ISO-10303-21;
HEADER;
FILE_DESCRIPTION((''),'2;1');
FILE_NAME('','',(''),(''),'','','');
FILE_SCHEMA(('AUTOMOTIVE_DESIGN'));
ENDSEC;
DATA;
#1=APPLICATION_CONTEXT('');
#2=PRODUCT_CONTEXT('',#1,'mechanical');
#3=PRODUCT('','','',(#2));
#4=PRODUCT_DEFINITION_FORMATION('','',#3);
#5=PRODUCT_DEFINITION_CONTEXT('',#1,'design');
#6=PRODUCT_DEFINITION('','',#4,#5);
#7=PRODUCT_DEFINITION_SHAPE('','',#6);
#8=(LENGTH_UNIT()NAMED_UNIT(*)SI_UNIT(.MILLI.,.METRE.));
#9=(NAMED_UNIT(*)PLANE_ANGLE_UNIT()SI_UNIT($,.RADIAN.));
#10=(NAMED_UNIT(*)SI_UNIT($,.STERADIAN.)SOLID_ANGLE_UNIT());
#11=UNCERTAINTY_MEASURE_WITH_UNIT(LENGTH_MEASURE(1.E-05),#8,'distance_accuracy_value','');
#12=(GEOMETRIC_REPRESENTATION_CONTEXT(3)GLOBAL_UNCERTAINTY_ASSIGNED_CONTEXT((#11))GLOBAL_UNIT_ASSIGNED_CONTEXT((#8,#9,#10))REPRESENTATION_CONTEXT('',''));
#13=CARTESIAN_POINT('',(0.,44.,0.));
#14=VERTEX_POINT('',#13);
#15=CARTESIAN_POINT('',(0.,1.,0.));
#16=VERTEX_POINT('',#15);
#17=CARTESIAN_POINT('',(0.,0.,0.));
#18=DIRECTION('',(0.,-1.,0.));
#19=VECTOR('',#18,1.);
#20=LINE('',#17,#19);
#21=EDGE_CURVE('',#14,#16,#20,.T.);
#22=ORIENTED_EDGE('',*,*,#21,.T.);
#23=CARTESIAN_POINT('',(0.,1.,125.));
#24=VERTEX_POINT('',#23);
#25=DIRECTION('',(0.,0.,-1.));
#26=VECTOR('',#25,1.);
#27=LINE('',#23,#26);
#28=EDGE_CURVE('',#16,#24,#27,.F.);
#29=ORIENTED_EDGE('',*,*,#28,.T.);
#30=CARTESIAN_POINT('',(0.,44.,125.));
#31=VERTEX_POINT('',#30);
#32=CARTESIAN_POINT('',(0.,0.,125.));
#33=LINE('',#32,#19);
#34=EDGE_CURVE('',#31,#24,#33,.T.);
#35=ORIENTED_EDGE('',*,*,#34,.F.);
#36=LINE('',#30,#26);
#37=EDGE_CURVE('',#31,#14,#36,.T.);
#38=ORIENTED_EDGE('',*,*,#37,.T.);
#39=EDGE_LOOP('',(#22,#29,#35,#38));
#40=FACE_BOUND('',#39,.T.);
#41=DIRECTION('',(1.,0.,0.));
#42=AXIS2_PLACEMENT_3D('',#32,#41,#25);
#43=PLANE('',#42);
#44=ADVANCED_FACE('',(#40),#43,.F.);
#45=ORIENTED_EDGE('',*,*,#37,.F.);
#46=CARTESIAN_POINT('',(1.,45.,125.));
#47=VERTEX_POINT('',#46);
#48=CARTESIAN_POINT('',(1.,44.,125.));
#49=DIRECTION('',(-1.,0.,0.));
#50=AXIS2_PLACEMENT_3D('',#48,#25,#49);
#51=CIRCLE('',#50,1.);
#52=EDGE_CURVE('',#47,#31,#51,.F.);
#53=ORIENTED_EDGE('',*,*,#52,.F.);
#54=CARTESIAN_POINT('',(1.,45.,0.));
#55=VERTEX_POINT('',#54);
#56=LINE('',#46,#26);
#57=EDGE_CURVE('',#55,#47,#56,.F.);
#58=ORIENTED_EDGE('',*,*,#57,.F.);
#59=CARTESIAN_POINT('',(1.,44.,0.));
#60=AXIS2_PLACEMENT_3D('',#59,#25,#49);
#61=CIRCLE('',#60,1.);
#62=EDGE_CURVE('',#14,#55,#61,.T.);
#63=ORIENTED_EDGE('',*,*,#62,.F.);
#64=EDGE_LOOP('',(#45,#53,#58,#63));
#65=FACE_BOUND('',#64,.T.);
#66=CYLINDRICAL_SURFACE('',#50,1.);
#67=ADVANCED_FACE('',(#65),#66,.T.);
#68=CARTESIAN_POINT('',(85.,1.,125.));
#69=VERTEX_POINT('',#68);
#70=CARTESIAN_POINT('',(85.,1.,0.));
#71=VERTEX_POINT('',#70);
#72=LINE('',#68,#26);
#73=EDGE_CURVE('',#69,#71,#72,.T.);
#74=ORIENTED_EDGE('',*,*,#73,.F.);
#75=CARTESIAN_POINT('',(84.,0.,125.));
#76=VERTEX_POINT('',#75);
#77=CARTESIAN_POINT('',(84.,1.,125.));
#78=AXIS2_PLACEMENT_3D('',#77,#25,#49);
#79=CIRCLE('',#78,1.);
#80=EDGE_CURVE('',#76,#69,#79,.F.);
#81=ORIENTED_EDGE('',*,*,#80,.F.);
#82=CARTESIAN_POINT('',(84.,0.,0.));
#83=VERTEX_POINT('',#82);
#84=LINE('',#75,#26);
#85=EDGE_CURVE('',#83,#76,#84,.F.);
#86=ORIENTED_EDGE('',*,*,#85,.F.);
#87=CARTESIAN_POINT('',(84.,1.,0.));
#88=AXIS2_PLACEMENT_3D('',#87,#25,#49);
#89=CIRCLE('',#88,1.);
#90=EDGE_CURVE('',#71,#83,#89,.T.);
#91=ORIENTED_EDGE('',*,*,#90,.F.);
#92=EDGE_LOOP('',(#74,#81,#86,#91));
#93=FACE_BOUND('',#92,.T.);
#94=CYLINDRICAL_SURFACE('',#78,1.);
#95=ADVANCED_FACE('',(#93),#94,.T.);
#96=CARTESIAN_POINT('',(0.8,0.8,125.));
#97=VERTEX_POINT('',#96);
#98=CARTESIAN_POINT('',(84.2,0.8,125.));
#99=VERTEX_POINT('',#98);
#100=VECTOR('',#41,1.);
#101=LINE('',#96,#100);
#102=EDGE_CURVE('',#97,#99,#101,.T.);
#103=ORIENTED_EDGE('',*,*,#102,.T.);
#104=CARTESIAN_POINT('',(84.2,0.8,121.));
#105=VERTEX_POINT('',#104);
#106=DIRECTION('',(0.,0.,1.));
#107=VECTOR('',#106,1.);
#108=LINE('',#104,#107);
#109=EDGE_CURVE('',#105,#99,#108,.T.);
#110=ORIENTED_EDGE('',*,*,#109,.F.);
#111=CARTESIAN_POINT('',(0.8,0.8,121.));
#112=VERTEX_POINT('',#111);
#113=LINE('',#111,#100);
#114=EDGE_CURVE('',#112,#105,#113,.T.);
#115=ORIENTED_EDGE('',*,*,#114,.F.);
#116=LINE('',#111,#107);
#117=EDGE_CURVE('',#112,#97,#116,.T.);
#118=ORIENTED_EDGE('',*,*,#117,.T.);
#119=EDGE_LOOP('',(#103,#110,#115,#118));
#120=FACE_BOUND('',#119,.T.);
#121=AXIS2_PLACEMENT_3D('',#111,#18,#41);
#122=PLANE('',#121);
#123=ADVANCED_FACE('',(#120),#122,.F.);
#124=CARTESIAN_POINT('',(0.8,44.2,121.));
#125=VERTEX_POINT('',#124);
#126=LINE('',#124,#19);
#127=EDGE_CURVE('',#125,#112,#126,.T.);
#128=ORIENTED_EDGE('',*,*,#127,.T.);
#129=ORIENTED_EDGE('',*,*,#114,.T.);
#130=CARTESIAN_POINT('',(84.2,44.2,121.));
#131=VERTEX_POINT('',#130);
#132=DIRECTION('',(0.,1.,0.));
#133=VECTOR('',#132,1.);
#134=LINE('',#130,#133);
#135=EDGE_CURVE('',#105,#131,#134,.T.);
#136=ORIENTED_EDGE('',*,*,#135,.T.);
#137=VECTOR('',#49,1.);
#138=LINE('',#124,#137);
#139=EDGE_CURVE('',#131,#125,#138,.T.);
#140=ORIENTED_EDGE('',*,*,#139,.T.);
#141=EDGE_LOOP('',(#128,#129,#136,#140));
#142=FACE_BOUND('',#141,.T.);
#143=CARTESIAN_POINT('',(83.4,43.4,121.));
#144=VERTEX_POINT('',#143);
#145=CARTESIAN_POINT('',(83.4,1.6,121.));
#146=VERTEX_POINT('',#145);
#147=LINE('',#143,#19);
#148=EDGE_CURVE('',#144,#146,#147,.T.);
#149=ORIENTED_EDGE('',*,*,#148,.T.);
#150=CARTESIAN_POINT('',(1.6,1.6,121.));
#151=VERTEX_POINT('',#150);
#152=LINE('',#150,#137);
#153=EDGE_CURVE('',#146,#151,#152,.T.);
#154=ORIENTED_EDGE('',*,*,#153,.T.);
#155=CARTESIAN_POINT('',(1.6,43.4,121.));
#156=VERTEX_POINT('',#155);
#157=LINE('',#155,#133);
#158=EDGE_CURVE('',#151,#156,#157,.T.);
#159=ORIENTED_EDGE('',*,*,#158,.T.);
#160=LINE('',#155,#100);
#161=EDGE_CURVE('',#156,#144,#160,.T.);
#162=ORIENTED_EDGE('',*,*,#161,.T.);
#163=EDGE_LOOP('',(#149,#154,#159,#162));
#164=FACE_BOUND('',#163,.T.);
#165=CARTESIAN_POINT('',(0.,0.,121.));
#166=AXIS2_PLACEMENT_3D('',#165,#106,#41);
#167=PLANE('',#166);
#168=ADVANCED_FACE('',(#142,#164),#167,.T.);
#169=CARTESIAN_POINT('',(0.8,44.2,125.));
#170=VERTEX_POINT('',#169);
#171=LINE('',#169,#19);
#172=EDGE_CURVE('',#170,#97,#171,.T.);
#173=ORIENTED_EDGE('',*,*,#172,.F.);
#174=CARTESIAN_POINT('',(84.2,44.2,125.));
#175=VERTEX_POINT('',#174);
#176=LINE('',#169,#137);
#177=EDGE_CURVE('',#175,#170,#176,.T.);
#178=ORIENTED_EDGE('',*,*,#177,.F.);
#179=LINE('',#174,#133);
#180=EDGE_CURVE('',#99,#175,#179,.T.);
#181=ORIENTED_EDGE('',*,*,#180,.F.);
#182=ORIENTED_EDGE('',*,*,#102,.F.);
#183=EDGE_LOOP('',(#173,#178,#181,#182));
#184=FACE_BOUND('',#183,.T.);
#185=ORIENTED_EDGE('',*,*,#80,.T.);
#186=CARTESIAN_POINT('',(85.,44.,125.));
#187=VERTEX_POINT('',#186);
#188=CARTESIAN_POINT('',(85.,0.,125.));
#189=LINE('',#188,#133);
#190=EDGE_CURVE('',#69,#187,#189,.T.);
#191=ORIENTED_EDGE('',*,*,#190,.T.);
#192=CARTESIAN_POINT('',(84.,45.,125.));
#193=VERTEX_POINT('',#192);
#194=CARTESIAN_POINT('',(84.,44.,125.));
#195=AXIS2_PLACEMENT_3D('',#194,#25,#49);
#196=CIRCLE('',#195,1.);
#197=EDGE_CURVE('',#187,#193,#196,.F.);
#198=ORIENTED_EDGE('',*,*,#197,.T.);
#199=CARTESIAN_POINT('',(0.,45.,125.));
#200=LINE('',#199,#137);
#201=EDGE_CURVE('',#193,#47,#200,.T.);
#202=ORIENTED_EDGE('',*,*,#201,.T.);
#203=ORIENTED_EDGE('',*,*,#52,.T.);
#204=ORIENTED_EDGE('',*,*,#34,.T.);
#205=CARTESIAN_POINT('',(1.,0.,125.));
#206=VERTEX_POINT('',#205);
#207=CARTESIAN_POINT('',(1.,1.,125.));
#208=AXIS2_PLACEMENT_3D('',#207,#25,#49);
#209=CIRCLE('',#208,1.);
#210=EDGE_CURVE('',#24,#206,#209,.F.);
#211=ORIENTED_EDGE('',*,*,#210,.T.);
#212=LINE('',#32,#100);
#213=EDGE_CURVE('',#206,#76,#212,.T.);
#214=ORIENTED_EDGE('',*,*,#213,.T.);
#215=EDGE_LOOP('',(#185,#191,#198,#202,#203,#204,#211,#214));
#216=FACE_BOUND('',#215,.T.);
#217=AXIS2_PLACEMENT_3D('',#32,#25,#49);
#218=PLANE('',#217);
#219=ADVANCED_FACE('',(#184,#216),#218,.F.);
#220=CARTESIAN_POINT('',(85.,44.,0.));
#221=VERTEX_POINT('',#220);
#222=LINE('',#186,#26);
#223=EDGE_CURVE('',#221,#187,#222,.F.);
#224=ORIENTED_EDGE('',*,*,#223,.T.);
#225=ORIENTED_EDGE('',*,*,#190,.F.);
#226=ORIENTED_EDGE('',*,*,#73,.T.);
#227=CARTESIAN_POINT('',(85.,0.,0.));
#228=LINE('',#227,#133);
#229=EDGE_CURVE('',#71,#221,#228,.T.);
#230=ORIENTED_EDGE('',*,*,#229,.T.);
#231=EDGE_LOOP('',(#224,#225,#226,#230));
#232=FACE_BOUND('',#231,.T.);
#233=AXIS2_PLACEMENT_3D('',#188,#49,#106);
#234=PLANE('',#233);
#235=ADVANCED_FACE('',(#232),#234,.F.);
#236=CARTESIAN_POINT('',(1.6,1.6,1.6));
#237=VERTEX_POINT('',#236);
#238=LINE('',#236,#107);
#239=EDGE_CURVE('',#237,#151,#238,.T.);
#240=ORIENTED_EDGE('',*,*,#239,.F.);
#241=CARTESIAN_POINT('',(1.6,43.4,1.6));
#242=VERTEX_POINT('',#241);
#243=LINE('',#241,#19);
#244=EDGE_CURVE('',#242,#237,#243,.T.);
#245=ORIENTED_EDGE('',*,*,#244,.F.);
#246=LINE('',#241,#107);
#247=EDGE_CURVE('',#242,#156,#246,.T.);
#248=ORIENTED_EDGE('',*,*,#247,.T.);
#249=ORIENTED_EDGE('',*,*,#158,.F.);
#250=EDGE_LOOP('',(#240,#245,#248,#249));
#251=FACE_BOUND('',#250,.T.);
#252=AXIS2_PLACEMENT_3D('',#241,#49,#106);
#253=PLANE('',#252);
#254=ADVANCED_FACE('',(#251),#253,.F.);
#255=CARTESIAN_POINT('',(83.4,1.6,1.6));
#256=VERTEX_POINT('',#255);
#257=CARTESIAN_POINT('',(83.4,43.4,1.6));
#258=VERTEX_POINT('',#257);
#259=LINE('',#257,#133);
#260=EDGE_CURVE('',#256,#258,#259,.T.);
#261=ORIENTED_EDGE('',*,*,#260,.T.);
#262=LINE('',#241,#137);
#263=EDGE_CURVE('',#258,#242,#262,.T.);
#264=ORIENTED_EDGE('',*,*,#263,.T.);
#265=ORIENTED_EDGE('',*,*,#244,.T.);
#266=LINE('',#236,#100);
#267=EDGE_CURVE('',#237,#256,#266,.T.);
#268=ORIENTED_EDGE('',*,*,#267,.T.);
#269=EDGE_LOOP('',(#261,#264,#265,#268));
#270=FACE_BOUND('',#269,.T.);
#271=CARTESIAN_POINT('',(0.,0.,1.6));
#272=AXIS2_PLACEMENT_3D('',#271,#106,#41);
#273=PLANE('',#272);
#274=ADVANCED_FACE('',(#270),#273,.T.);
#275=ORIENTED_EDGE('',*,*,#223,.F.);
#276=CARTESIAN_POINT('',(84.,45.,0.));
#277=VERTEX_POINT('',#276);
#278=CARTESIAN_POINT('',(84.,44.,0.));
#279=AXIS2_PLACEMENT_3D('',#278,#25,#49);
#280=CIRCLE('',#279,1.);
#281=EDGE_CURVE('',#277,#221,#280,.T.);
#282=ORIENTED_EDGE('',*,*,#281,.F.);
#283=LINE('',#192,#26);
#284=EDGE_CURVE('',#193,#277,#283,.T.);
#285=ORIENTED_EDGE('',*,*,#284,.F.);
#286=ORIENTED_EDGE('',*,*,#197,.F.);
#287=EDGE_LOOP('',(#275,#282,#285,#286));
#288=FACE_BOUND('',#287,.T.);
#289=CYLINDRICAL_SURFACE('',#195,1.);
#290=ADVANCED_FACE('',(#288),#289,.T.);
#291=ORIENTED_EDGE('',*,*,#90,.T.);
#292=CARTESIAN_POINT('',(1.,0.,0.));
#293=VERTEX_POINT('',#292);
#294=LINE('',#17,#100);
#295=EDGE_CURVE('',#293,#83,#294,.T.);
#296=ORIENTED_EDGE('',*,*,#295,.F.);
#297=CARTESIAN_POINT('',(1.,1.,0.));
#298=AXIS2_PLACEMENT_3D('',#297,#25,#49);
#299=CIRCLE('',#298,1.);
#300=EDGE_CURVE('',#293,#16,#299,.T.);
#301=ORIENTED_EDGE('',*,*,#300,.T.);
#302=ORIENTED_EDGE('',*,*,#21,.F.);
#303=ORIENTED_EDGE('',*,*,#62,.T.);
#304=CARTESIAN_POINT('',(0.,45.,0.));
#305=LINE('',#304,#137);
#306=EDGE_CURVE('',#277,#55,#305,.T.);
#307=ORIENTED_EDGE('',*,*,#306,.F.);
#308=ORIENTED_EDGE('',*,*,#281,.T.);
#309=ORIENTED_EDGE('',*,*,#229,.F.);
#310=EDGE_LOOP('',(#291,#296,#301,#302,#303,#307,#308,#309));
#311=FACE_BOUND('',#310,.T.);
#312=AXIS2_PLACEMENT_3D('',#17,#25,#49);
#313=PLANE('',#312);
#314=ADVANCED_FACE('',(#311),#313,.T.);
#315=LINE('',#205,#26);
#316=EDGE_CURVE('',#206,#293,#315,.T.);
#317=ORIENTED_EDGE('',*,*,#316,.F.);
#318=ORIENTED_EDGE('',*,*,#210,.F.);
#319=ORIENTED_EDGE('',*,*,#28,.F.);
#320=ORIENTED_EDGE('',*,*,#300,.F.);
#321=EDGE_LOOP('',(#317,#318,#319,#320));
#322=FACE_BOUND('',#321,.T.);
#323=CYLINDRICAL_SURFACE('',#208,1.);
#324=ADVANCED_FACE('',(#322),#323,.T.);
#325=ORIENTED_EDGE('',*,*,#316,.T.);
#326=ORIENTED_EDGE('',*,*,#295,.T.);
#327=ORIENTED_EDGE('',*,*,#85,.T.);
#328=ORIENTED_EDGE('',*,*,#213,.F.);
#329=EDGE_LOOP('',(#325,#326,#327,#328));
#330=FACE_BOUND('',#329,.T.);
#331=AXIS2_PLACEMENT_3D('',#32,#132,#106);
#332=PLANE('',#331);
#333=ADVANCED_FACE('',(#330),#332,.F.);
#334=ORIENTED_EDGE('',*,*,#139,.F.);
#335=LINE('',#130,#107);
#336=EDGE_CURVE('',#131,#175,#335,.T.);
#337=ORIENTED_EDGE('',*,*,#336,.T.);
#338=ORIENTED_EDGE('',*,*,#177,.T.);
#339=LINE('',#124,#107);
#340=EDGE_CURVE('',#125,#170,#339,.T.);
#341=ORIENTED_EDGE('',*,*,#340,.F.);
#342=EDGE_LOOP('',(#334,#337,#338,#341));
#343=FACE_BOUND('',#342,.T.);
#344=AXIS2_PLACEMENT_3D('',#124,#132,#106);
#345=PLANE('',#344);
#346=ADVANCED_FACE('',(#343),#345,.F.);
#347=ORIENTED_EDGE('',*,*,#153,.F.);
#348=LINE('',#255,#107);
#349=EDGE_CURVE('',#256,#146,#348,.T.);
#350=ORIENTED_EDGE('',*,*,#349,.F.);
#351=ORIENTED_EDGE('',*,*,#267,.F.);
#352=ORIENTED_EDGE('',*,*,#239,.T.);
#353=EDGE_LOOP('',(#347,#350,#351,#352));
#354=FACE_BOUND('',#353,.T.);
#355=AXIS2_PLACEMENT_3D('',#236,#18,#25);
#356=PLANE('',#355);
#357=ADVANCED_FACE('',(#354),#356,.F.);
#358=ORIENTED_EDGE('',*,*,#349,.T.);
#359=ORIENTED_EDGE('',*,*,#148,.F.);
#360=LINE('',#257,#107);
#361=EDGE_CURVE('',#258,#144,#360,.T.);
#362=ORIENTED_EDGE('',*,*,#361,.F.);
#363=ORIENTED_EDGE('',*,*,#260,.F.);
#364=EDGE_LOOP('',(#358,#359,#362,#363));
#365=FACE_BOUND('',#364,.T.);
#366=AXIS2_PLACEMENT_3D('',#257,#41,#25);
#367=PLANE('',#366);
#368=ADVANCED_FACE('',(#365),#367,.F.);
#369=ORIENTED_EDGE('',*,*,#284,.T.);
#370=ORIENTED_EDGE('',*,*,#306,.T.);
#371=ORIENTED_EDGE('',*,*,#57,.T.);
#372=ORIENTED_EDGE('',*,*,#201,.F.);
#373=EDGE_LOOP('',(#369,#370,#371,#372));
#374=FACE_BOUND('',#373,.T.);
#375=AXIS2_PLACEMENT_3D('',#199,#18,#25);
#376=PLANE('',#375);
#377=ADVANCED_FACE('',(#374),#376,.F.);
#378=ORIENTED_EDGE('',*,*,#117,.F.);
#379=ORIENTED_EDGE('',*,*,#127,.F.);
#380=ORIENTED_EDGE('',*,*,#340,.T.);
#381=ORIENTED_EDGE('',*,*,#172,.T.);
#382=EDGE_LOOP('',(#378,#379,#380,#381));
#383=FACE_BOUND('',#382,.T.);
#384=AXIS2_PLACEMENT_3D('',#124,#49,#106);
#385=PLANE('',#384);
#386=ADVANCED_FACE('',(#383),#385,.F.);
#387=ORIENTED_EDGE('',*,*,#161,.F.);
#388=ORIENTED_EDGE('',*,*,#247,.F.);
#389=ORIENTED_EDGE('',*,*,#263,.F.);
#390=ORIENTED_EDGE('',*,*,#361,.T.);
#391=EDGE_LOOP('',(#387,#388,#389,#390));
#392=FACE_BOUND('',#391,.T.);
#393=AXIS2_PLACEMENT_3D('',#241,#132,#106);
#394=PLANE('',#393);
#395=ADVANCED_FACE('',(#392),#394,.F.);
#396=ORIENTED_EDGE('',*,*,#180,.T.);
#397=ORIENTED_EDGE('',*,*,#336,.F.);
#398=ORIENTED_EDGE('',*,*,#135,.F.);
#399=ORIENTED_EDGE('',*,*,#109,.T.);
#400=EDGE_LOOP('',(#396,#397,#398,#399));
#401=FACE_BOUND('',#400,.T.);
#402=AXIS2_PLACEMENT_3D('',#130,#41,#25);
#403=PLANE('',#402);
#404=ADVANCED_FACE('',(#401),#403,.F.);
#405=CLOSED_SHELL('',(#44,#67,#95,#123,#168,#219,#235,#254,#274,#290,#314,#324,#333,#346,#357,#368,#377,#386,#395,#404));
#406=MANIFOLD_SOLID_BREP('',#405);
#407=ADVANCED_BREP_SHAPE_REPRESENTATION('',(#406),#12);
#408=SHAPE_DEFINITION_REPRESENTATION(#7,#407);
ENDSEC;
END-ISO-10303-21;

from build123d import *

# Parameters (mm, degrees)
SKETCH_1_W          = 85
SKETCH_1_H          = 45
EXTRUDE_1_DEPTH     = 125
SKETCH_2_W          = 81.8
SKETCH_2_H          = 41.8
CUT_EXTRUDE_1_DEPTH = 123.4
SKETCH_3_W          = 83.4
SKETCH_3_H          = 43.4
CUT_EXTRUDE_2_DEPTH = 4
FILLET_2_R          = 1


with BuildPart() as part:
    # Эскиз1 → Бобышка-Вытянуть1 (new body)
    with BuildSketch(Plane.XY):
        with Locations((42.5, 22.5)):
            Rectangle(SKETCH_1_W, SKETCH_1_H)
    extrude(amount=EXTRUDE_1_DEPTH)

    # Эскиз2 → Вырез-Вытянуть1 (cut)
    with BuildSketch(Plane.XY.offset(125)):
        with Locations((42.5, 22.5)):
            Rectangle(SKETCH_2_W, SKETCH_2_H)
    extrude(amount=-CUT_EXTRUDE_1_DEPTH, mode=Mode.SUBTRACT)

    # Эскиз3 → Вырез-Вытянуть2 (cut)
    with BuildSketch(Plane.XY.offset(125)):
        with Locations((42.5, 22.5)):
            Rectangle(SKETCH_3_W, SKETCH_3_H)
    extrude(amount=-CUT_EXTRUDE_2_DEPTH, mode=Mode.SUBTRACT)

    # Скругление2
    fillet_2_edges = [part.edges().sort_by_distance(p)[0] for p in [
        (0, 45, 62.5),
        (85, 45, 62.5),
        (85, 0, 62.5),
        (0, 0, 62.5),
    ]]
    fillet(fillet_2_edges, radius=FILLET_2_R)


solid = part.part
